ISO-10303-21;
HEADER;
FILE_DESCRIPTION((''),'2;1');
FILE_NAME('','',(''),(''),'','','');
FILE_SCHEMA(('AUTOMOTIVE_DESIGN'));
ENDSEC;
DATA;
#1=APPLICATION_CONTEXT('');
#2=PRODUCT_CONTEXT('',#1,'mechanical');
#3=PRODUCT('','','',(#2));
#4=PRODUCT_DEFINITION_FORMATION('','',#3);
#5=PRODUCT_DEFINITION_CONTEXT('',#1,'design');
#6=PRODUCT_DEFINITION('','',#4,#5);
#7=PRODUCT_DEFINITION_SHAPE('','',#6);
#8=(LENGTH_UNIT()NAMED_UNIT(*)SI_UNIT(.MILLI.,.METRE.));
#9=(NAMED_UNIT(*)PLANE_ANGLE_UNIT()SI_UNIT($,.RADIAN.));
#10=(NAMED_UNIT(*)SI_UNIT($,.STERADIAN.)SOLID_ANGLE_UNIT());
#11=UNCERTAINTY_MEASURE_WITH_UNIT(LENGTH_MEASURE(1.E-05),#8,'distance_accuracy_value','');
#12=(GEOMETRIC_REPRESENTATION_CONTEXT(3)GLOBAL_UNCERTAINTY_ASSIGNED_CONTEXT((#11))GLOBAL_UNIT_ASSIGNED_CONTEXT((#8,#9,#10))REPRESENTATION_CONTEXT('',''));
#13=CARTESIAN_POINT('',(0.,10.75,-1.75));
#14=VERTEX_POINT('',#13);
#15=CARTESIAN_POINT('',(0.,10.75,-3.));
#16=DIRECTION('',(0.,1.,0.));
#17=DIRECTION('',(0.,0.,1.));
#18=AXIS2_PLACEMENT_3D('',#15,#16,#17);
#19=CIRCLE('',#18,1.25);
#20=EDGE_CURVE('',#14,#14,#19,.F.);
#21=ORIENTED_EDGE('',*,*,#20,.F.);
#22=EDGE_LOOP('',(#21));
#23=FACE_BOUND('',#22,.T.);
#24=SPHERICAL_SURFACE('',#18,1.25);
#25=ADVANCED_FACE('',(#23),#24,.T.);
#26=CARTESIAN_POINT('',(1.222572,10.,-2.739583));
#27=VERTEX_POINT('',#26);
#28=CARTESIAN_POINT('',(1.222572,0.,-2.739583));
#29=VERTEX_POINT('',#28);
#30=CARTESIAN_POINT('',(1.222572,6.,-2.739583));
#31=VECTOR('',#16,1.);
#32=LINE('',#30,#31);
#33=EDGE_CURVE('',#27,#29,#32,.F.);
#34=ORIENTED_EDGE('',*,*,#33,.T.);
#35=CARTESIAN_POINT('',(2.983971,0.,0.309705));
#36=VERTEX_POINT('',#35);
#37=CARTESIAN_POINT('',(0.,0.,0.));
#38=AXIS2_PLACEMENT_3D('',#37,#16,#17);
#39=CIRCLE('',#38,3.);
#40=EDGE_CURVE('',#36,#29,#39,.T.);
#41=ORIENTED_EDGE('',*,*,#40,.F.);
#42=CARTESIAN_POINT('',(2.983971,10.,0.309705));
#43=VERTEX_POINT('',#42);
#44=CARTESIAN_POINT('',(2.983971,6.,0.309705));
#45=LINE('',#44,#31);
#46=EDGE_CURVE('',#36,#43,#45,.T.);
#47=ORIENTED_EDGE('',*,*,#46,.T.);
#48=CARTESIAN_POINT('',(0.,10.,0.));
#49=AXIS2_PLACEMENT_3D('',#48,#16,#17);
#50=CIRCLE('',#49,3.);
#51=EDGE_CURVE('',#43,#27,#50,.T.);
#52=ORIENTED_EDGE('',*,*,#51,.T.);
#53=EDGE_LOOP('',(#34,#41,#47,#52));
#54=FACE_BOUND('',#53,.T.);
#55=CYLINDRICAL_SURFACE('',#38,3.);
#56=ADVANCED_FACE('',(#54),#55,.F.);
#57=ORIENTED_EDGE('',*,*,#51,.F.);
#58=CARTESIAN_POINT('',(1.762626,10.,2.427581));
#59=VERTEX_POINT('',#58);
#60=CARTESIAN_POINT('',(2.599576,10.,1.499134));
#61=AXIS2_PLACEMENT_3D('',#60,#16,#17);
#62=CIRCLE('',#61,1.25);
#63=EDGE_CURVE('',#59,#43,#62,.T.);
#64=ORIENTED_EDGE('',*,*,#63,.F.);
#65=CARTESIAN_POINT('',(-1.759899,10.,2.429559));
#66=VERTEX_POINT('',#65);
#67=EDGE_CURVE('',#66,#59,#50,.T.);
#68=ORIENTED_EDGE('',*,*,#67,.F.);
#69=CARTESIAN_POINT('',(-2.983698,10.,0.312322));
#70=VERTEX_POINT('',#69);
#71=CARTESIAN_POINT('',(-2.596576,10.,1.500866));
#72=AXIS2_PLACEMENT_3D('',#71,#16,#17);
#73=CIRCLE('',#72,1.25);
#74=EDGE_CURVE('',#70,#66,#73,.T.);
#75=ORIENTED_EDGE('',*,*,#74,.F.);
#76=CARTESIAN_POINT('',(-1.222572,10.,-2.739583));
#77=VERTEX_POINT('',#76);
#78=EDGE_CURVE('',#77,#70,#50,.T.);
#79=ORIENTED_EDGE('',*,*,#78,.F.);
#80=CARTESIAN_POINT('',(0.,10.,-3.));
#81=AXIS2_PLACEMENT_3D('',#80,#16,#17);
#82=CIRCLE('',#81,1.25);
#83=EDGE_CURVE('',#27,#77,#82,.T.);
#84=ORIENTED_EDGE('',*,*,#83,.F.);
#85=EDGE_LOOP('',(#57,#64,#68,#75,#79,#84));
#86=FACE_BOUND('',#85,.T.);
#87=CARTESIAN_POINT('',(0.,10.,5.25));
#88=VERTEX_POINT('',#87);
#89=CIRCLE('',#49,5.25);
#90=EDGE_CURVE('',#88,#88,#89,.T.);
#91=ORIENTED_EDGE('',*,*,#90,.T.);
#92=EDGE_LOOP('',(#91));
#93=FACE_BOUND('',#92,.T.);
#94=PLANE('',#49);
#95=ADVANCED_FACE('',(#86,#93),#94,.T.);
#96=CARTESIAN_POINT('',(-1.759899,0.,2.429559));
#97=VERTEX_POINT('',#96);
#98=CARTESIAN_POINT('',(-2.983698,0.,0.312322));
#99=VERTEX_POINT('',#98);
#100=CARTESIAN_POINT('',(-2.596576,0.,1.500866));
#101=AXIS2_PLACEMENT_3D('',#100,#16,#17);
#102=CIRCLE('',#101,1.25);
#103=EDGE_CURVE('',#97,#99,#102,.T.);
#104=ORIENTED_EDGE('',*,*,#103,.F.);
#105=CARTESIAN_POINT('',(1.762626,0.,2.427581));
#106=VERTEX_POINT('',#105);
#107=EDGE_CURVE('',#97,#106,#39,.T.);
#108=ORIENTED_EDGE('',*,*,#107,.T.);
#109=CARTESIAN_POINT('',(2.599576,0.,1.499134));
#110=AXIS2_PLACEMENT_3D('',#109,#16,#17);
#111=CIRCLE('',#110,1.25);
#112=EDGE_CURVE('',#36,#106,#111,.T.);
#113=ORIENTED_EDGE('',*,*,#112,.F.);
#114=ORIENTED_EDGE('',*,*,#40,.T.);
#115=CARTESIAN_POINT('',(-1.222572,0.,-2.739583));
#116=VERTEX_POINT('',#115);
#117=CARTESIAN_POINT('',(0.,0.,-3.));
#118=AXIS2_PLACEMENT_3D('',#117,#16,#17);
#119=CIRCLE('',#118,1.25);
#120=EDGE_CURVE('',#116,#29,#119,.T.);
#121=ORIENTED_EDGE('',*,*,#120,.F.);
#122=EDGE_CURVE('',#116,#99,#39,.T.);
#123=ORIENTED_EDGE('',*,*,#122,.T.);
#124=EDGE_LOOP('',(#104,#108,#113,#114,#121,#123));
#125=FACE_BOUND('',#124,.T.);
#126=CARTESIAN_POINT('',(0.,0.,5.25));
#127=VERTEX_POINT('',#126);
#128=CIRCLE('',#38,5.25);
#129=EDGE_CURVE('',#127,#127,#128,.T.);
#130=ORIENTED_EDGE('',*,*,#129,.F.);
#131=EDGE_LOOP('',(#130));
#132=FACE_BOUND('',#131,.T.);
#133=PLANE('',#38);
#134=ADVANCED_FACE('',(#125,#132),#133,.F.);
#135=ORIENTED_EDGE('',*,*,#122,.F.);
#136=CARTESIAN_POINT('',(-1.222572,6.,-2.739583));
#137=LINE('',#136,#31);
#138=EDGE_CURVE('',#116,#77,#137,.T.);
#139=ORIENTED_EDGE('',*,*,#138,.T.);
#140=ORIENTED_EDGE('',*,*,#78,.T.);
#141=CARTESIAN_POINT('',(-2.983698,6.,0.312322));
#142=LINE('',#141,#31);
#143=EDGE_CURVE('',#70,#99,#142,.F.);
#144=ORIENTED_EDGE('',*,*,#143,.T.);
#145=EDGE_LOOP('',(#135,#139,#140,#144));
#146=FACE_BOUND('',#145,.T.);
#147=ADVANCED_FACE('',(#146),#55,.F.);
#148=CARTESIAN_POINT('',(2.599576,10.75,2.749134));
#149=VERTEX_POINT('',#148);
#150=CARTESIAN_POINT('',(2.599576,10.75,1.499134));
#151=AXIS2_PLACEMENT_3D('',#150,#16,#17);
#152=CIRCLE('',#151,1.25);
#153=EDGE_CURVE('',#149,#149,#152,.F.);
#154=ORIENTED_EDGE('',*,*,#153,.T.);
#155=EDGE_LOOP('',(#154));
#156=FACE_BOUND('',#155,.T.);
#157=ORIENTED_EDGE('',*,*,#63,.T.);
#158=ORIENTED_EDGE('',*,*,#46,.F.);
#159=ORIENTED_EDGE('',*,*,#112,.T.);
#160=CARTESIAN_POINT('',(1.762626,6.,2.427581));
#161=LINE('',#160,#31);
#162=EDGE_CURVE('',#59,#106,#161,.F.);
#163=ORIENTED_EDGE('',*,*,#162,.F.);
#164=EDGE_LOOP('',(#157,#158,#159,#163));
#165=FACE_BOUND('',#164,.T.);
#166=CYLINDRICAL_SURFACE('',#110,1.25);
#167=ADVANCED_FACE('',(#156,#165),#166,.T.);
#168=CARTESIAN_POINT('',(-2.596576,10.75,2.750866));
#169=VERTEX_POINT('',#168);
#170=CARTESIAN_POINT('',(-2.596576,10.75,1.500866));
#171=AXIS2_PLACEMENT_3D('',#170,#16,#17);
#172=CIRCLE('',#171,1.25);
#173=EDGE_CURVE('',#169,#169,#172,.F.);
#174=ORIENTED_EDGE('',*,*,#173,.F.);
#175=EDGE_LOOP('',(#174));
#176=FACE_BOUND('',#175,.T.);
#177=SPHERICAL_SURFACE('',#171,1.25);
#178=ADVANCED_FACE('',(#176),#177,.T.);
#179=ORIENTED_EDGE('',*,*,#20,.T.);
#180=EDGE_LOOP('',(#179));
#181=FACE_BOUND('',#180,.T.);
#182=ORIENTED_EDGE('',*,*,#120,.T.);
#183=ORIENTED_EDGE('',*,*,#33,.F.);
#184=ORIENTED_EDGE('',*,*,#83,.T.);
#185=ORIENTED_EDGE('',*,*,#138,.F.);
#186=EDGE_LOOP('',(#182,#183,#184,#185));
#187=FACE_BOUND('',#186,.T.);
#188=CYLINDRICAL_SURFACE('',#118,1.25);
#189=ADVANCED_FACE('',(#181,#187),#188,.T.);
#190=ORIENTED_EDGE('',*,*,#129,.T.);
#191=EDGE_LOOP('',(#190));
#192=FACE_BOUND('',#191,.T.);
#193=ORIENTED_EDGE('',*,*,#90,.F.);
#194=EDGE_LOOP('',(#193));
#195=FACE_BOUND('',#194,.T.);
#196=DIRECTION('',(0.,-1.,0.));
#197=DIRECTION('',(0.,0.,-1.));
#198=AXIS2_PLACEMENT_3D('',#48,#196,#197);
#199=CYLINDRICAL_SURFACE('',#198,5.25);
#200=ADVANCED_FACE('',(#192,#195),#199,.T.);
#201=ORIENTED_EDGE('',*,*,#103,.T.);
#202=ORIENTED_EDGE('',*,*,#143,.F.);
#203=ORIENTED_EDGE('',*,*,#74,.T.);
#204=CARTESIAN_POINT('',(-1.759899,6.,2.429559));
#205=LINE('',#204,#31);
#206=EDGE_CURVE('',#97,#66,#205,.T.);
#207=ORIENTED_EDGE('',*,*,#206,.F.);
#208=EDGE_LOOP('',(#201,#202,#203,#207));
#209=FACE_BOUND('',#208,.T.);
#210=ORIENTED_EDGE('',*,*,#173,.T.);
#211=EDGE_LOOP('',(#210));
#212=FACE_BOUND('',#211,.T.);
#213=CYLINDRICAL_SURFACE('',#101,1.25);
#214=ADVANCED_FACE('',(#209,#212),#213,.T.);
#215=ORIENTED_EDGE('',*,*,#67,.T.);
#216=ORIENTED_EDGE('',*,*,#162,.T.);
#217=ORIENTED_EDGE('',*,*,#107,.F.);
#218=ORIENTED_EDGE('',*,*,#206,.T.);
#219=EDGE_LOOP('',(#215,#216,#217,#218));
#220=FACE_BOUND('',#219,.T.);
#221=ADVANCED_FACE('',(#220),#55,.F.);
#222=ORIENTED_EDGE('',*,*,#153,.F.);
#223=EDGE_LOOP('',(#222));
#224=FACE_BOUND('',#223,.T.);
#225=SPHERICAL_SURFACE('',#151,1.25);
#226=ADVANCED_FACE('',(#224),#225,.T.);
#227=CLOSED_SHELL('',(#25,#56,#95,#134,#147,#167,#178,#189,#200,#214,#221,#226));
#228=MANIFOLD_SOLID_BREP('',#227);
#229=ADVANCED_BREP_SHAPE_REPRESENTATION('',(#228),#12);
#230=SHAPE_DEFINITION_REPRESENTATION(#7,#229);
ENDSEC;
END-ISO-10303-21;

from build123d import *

# Parameters (mm, degrees)
CROQUIS1_R                   = 5.25
SALIENTE_EXTRUIR1_DEPTH      = 10
CROQUIS2_R                   = 3
CORTAR_EXTRUIR1_DEPTH        = 10
SALIENTE_EXTRUIR2_DEPTH      = 2
SALIENTE_EXTRUIR2_DEPTH_BACK = 10
CROQUIS3_R                   = 1.25
REDONDEO1_R                  = 1.25


with BuildPart() as part:
    # Croquis1 → Saliente-Extruir1 (new body)
    with BuildSketch(Plane(origin=(0, 0, 0), x_dir=(1, 0, 0), z_dir=(0, 1, 0))):
        with Locations(Location((0, 0, 0), (0, 0, 270))):
            Circle(CROQUIS1_R)
    extrude(amount=SALIENTE_EXTRUIR1_DEPTH)

    # Croquis2 → Cortar-Extruir1 (cut)
    with BuildSketch(Plane(origin=(0, 10, 0), x_dir=(1, 0, 0), z_dir=(0, 1, 0))):
        with Locations(Location((0, 0, 0), (0, 0, 270))):
            Circle(CROQUIS2_R)
    extrude(amount=-CORTAR_EXTRUIR1_DEPTH, mode=Mode.SUBTRACT)

    # Croquis3 → Saliente-Extruir2 (add, two sides: drawn at the far end of the back side and taken through both)
    with BuildSketch(Plane(origin=(0, 10, 0), x_dir=(1, 0, 0), z_dir=(0, 1, 0)).offset(-SALIENTE_EXTRUIR2_DEPTH_BACK)):
        with Locations(Location((0, 3, 0), (0, 0, 270))):
            Circle(CROQUIS3_R)
        with Locations(Location((2.599576211, -1.499133975, 0), (0, 0, 270))):
            Circle(CROQUIS3_R)
        with Locations(Location((-2.596576211, -1.500866025, 0), (0, 0, 270))):
            Circle(CROQUIS3_R)
    extrude(amount=SALIENTE_EXTRUIR2_DEPTH + SALIENTE_EXTRUIR2_DEPTH_BACK)

    # Redondeo1
    redondeo1_edges = [part.edges().sort_by_distance(p)[0] for p in [
        (0, 12, -4.25),
        (2.599576211, 12, 0.249133975),
        (-2.596576211, 12, 0.250866025),
    ]]
    fillet(redondeo1_edges, radius=REDONDEO1_R)


solid = part.part
